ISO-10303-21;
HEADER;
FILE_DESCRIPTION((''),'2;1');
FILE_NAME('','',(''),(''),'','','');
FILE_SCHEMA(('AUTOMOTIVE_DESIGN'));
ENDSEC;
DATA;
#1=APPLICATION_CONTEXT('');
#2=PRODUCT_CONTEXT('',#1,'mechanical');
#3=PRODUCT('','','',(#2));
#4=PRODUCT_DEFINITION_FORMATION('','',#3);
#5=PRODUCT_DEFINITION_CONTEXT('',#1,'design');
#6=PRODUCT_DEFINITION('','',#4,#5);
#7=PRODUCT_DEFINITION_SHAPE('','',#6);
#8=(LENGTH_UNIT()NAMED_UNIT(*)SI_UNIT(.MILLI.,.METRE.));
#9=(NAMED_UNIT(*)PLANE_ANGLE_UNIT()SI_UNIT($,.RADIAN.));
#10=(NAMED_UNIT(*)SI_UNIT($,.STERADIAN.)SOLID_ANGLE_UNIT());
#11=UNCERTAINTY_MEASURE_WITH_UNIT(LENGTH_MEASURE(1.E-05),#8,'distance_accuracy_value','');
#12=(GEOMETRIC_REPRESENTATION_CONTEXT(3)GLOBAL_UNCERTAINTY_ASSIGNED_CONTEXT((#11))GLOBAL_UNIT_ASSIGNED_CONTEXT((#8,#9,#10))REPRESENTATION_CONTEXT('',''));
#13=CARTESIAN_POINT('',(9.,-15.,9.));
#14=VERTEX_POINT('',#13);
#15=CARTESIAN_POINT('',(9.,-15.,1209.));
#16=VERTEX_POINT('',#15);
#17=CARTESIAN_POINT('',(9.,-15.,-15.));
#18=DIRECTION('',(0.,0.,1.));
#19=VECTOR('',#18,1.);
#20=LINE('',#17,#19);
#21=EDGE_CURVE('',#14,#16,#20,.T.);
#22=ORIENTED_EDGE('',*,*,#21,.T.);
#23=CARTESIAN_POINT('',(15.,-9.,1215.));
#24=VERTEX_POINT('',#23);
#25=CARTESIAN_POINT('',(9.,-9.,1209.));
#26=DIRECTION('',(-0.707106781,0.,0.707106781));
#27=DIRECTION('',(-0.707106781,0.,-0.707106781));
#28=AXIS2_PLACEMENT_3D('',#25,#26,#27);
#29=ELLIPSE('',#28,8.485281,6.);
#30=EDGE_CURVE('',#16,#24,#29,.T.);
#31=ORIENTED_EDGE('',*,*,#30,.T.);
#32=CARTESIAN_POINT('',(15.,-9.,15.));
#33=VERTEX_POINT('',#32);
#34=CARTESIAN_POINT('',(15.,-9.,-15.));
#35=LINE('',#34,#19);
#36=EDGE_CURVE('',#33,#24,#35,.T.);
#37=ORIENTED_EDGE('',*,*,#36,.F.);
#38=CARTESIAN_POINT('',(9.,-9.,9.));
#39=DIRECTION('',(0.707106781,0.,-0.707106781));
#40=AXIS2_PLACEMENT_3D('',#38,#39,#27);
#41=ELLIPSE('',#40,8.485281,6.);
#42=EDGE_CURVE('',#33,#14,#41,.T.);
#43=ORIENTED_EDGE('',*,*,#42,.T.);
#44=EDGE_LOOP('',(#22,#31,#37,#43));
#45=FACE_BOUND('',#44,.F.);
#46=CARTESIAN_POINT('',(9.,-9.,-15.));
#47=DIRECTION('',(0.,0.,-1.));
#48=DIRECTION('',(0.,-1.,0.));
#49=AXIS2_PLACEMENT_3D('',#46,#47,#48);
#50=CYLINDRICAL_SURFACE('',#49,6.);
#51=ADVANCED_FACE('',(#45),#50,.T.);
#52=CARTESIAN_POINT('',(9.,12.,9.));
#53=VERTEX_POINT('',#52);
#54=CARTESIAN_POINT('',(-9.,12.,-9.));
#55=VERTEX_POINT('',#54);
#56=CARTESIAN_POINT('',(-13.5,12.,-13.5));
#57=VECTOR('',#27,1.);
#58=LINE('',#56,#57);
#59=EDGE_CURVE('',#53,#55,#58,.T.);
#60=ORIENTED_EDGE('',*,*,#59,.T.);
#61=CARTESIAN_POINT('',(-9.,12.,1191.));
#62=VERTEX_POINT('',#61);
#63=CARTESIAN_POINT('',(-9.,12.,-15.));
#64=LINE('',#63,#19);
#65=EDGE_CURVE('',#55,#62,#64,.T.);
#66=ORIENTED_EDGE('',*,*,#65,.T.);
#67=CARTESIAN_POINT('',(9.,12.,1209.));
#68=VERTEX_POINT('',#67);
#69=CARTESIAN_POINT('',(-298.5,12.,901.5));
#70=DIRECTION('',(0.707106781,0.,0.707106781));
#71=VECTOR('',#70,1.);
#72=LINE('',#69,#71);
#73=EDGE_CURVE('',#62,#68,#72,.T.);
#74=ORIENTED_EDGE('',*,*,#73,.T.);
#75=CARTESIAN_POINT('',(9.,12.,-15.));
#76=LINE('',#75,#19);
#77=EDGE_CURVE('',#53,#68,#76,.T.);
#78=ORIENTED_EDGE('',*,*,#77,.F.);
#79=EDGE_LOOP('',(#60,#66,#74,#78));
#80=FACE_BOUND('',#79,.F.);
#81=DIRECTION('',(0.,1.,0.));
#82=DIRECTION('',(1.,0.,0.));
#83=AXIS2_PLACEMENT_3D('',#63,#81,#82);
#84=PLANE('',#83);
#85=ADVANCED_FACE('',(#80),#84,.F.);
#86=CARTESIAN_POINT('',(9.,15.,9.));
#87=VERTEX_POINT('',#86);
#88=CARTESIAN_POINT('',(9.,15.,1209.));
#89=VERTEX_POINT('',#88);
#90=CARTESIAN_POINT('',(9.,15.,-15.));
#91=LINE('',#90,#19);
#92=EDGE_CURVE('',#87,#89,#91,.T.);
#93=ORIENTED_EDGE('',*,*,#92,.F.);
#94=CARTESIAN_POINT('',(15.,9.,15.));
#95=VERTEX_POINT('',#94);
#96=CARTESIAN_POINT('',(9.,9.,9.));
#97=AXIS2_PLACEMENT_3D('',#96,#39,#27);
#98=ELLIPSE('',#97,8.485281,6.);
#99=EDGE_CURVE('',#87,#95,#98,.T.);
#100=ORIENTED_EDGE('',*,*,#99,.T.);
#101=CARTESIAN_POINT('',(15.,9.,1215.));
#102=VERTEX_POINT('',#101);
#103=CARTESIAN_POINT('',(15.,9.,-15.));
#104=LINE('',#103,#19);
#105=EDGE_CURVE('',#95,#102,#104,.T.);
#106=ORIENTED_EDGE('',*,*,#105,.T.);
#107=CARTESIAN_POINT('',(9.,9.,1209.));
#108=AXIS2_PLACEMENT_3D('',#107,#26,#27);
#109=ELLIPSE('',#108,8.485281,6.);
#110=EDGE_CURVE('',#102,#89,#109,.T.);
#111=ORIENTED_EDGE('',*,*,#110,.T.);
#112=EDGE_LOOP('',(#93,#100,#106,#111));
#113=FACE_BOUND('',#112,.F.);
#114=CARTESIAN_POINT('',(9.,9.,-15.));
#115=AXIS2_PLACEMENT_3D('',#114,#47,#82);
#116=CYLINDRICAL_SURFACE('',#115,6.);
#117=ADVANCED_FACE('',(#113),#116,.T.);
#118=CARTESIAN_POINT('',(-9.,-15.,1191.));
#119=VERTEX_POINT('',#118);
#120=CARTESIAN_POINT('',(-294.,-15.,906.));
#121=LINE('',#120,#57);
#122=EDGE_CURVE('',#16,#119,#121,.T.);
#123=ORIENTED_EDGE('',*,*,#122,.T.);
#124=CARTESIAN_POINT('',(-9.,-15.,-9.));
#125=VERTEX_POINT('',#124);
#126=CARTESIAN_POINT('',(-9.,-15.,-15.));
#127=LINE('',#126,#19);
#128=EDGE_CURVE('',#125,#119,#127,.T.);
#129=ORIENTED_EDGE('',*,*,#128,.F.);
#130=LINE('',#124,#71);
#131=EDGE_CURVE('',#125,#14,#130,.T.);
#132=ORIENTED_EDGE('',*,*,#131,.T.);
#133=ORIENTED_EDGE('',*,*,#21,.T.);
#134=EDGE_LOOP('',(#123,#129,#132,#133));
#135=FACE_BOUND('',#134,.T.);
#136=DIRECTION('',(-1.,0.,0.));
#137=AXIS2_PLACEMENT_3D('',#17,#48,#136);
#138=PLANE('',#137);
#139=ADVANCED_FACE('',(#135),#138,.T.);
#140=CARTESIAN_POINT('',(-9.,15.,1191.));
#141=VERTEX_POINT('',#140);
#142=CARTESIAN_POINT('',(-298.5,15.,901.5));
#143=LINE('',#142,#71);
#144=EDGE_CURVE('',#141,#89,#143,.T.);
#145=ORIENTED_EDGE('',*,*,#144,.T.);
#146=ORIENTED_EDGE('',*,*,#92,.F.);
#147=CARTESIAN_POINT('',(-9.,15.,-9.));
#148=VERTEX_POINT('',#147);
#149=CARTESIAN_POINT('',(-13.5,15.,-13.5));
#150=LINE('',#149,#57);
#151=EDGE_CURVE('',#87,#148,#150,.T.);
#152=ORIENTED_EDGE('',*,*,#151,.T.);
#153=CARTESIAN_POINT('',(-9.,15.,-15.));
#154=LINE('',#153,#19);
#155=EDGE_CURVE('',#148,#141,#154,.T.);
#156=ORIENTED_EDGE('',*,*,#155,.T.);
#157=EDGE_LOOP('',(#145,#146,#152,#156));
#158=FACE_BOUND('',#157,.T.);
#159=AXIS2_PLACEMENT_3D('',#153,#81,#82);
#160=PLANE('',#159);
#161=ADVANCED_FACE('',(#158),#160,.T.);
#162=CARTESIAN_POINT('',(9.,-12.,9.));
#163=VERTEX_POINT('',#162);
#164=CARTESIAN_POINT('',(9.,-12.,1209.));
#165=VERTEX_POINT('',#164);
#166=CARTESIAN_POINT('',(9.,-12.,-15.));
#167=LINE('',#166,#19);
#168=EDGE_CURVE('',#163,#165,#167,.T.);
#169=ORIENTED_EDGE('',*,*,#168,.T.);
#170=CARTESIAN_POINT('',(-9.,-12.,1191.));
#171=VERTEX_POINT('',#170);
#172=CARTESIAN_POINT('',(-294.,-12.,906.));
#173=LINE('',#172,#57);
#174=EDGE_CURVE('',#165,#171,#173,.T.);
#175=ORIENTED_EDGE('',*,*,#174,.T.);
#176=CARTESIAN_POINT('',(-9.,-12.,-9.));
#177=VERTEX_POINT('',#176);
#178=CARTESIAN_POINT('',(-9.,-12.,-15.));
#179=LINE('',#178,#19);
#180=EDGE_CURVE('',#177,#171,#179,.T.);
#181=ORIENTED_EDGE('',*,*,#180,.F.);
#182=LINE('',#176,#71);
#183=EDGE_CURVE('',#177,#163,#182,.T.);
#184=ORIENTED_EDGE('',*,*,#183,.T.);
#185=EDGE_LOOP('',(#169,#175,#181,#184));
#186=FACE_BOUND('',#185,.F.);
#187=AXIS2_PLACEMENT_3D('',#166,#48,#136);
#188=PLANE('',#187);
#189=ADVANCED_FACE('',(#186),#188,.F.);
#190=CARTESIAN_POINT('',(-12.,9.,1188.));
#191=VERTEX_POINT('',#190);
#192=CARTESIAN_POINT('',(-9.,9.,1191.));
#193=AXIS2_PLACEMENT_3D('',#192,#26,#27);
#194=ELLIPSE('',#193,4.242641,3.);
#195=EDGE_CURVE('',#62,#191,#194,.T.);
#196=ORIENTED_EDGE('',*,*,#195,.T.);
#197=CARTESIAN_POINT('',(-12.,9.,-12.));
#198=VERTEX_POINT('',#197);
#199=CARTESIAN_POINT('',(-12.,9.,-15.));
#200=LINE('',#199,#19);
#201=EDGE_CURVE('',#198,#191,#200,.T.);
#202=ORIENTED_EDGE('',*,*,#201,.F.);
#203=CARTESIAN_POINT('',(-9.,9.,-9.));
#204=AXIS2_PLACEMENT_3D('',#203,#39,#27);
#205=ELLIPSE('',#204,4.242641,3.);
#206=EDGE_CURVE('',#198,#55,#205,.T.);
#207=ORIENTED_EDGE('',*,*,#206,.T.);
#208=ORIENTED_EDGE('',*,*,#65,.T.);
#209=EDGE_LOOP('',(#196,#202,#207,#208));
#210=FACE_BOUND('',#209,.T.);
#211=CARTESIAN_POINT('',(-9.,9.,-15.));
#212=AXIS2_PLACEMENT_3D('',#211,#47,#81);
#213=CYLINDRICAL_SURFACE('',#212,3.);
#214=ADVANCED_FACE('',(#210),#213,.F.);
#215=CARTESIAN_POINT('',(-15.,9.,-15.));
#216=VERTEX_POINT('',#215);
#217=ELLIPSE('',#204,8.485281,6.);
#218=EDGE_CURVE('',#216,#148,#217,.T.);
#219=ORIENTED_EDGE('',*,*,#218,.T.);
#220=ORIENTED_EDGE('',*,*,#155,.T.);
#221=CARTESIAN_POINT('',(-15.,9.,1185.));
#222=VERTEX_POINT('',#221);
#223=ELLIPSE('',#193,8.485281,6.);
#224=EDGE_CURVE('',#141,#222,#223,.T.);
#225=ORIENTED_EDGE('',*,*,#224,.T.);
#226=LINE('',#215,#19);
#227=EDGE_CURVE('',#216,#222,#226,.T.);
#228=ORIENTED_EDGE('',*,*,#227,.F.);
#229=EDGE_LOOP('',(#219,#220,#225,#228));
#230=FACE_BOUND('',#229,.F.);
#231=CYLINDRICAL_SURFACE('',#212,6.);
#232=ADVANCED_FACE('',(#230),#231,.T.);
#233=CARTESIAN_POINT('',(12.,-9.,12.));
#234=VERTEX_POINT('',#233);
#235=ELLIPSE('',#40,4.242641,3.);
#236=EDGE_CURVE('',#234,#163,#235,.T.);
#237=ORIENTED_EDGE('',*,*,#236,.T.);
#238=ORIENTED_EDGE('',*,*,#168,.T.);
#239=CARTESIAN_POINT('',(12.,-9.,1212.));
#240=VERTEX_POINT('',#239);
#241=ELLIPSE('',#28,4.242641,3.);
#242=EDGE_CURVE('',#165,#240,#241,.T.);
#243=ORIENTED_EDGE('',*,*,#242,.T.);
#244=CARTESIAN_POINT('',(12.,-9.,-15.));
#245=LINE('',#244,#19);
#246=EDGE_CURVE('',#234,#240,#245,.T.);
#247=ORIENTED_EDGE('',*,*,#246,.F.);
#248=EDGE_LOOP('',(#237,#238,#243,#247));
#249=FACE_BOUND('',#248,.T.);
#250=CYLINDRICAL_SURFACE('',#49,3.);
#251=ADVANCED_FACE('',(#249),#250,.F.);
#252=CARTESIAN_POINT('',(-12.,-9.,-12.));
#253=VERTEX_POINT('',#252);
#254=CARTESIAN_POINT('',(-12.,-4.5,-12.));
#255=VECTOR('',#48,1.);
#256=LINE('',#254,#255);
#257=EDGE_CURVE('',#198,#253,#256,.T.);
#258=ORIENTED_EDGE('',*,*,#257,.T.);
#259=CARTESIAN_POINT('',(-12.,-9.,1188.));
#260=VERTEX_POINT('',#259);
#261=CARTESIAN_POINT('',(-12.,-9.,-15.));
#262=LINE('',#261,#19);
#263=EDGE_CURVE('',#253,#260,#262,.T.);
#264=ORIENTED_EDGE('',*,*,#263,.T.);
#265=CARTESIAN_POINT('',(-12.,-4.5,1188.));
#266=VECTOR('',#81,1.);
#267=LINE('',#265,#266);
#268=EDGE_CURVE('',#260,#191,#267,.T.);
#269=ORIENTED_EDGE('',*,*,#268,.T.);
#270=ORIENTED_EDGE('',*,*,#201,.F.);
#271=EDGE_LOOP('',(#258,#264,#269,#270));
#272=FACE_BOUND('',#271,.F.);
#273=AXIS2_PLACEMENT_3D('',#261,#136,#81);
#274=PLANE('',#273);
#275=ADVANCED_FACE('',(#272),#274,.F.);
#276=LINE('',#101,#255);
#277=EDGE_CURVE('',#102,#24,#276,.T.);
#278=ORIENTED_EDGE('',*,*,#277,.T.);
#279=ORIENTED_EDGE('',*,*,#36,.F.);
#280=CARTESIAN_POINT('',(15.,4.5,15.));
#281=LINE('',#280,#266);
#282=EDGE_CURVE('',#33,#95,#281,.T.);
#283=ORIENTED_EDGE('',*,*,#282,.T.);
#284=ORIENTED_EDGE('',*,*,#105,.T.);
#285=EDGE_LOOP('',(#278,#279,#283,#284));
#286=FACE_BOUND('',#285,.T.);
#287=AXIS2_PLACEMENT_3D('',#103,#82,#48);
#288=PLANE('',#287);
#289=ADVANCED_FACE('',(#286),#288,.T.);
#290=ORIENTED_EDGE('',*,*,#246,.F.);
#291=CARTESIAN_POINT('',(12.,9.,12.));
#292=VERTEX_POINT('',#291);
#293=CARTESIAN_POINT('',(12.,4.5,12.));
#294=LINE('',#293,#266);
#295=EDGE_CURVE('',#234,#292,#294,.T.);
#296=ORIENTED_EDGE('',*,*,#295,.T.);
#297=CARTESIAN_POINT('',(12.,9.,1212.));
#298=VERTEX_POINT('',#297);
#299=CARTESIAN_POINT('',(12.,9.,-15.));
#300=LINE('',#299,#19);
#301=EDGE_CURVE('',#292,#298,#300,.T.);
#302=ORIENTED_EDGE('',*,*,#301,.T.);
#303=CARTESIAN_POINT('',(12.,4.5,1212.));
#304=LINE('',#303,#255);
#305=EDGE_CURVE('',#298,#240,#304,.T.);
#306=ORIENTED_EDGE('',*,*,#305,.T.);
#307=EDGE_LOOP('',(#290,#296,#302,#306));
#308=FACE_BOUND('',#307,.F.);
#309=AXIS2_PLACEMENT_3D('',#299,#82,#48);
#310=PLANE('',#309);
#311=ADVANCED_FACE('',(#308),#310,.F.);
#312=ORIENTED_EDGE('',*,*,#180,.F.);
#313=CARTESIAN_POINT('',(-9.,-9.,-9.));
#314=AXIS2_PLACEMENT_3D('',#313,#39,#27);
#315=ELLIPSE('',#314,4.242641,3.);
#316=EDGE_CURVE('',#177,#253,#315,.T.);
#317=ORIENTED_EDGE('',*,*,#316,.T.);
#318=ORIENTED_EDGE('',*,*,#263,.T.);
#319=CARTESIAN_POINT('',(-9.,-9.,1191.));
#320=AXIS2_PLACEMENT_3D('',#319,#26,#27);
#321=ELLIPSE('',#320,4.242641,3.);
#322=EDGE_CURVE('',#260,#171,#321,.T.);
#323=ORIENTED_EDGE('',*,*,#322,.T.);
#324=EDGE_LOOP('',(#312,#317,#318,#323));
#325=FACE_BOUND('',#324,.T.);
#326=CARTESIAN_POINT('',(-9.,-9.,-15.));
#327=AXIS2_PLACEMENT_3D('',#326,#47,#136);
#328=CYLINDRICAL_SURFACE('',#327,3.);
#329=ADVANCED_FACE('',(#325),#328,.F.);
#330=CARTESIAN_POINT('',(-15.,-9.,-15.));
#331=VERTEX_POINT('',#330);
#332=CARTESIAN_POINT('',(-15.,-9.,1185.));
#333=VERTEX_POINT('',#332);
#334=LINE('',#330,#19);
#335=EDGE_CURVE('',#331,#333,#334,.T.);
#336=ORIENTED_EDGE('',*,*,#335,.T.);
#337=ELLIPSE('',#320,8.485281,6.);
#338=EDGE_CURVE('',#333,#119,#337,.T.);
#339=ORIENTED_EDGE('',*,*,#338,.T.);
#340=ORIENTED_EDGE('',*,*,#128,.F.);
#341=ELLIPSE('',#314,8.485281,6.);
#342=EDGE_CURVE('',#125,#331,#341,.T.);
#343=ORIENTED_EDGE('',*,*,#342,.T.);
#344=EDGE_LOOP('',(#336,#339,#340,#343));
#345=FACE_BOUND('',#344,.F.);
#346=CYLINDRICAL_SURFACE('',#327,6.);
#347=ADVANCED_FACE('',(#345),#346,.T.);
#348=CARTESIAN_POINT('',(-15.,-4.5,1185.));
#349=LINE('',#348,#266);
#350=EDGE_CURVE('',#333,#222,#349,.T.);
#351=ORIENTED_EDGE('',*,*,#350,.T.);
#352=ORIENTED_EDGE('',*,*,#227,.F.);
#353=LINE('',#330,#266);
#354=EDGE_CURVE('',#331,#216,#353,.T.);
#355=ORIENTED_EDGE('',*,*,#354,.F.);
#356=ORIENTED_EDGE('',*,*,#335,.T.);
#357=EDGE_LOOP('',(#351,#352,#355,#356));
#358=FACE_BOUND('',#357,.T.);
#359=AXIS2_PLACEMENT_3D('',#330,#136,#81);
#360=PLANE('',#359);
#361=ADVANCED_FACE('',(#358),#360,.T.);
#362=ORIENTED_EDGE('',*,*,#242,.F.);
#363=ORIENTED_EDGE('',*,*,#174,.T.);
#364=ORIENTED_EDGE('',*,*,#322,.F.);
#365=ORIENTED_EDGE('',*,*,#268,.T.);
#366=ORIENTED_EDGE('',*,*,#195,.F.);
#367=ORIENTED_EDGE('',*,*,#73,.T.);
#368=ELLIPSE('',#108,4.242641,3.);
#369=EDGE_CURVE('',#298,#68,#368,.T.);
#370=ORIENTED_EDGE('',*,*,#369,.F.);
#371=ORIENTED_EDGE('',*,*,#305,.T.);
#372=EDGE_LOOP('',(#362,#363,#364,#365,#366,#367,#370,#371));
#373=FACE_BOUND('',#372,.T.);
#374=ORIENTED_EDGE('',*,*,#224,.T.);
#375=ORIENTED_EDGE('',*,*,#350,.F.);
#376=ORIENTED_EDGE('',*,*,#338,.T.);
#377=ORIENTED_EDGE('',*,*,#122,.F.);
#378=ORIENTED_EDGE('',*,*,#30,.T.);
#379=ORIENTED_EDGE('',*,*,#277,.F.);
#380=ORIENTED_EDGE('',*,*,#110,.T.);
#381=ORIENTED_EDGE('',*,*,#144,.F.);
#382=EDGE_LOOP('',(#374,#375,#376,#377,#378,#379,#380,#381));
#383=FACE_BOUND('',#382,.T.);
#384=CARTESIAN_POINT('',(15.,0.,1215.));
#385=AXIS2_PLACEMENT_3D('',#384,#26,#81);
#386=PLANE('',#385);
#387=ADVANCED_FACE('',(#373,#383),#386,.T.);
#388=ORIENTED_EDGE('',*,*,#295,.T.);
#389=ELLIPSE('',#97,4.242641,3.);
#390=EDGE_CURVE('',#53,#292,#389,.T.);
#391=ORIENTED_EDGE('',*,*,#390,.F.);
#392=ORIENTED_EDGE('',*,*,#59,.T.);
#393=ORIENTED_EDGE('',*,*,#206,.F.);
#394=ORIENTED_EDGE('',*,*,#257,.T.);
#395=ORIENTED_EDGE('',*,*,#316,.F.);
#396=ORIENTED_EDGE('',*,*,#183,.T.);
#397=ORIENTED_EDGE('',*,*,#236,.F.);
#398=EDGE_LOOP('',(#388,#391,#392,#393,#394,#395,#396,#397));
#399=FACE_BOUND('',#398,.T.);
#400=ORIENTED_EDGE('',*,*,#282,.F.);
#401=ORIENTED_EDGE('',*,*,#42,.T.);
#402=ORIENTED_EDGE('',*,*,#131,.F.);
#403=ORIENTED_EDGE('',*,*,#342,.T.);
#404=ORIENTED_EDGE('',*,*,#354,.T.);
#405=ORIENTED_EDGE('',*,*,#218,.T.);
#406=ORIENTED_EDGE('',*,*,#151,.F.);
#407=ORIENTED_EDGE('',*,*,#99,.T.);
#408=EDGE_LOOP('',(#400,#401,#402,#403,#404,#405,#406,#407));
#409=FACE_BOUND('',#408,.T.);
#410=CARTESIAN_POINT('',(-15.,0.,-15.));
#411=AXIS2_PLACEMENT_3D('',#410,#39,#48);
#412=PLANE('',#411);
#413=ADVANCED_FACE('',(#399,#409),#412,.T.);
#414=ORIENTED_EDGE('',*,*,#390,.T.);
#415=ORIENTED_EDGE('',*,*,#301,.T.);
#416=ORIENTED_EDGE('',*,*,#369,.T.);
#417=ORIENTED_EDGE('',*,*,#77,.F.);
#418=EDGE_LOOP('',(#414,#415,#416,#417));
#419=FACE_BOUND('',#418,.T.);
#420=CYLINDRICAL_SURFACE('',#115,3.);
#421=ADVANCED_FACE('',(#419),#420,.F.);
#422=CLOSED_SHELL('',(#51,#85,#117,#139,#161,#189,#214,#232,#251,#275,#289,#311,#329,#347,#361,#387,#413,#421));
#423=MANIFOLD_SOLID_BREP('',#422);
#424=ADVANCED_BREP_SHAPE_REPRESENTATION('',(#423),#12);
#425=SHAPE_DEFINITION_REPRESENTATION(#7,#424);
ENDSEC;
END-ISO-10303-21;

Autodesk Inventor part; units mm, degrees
ref_plane "Start Plane" through (0, 0, -15) normal (0, 0, 1) x (1, 0, 0)
ref_plane "End Plane" through (0, 0, 1215) normal (0, 0, 1) x (1, 0, 0)
sketch "Sketch" plane through (0, 0, 0) normal (0, 0, 1) x (1, 0, 0)
  line L0 (-15, -9) -> (-15, 9)
  line L1 (-9, 15) -> (9, 15)
  line L2 (15, 9) -> (15, -9)
  line L3 (9, -15) -> (-9, -15)
  arc A0 (-15, -9) -> (-9, -15) centre (-9, -9) ccw
  arc A1 (-9, 15) -> (-15, 9) centre (-9, 9) ccw
  arc A2 (15, 9) -> (9, 15) centre (9, 9) ccw
  arc A3 (9, -15) -> (15, -9) centre (9, -9) ccw
  arc A4 (-9, 12) -> (-12, 9) centre (-9, 9) ccw
  line L4 (-9, 12) -> (9, 12)
  arc A5 (12, 9) -> (9, 12) centre (9, 9) ccw
  line L5 (12, 9) -> (12, -9)
  arc A6 (9, -12) -> (12, -9) centre (9, -9) ccw
  line L6 (9, -12) -> (-9, -12)
  arc A7 (-12, -9) -> (-9, -12) centre (-9, -9) ccw
  line L7 (-12, -9) -> (-12, 9)
  line L8 (0, 22.7397) -> (0, -22.7397) construction
  line L9 (-22.7397, 0) -> (22.7397, 0) construction
  dimension "d7" = 6
  dimension "d10" = 30
  dimension "d11" = 30
  dimension "d12" = 3
  dimension "d15" = 15
  dimension "d16" = 15
extrude "Body" add sketch "Sketch" along normal up to surface (1230 mm away) from surface at -15
sketch "Sketch3" plane through (0, 0, 0) normal (0, 0, 1) x (1, 0, 0)
  line L0 (0, 0) -> (10, 0)
ref_plane "Work Plane3" through (0, 0, 0) normal (0, -1, 0) x (1, 0, 0)
ref_plane "Work Plane4" through (-15, 0, -15) normal (0.7071, 0, -0.7071) x (-0.7071, 0, -0.7071)
split "Split1" plane through (-15, 0, -15) removes the side toward (0.7071, 0, -0.7071)
ref_plane "Work Plane5" through (15, 0, 1215) normal (-0.7071, 0, 0.7071) x (0.7071, 0, 0.7071)
split "Split2" plane through (15, 0, 1215) removes the side toward (-0.7071, 0, 0.7071)
sketch "Sketch4" plane through (0, 0, 0) normal (0, -1, 0) x (1, 0, 0)
  line L0 (-2, -15) -> (12, -15) projected
  line L1 (-2, 1215) -> (12, 1215) projected
  dimension "d18" = 1230
equation "\"d7\" = G_IR"
equation "\"d10\" = G_H"
equation "\"d11\" = G_W"
equation "\"d12\" = G_T"
equation "\"d15\" = 0.5 * d10"
equation "\"d16\" = 0.5 * d11"
equation "\"d3\" = G_L"
equation "\"G_W\" = 30"
equation "\"G_H\" = 30"
equation "\"G_T\" = 3"
equation "\"G_IR\" = 6"
equation "\"G_L\" = d18"
equation "\"G_OFFSET_START\" = 15"
equation "\"G_OFFSET_END\" = 15"
equation "\"d13\" = -G_OFFSET_START"
equation "\"d14\" = G_OFFSET_END + B_L"
equation "\"B_L\" = 1200"
properties part number "DIN EN 10219-2 - 30 x 30 x 3  - 1230" material "Steel, Mild"
